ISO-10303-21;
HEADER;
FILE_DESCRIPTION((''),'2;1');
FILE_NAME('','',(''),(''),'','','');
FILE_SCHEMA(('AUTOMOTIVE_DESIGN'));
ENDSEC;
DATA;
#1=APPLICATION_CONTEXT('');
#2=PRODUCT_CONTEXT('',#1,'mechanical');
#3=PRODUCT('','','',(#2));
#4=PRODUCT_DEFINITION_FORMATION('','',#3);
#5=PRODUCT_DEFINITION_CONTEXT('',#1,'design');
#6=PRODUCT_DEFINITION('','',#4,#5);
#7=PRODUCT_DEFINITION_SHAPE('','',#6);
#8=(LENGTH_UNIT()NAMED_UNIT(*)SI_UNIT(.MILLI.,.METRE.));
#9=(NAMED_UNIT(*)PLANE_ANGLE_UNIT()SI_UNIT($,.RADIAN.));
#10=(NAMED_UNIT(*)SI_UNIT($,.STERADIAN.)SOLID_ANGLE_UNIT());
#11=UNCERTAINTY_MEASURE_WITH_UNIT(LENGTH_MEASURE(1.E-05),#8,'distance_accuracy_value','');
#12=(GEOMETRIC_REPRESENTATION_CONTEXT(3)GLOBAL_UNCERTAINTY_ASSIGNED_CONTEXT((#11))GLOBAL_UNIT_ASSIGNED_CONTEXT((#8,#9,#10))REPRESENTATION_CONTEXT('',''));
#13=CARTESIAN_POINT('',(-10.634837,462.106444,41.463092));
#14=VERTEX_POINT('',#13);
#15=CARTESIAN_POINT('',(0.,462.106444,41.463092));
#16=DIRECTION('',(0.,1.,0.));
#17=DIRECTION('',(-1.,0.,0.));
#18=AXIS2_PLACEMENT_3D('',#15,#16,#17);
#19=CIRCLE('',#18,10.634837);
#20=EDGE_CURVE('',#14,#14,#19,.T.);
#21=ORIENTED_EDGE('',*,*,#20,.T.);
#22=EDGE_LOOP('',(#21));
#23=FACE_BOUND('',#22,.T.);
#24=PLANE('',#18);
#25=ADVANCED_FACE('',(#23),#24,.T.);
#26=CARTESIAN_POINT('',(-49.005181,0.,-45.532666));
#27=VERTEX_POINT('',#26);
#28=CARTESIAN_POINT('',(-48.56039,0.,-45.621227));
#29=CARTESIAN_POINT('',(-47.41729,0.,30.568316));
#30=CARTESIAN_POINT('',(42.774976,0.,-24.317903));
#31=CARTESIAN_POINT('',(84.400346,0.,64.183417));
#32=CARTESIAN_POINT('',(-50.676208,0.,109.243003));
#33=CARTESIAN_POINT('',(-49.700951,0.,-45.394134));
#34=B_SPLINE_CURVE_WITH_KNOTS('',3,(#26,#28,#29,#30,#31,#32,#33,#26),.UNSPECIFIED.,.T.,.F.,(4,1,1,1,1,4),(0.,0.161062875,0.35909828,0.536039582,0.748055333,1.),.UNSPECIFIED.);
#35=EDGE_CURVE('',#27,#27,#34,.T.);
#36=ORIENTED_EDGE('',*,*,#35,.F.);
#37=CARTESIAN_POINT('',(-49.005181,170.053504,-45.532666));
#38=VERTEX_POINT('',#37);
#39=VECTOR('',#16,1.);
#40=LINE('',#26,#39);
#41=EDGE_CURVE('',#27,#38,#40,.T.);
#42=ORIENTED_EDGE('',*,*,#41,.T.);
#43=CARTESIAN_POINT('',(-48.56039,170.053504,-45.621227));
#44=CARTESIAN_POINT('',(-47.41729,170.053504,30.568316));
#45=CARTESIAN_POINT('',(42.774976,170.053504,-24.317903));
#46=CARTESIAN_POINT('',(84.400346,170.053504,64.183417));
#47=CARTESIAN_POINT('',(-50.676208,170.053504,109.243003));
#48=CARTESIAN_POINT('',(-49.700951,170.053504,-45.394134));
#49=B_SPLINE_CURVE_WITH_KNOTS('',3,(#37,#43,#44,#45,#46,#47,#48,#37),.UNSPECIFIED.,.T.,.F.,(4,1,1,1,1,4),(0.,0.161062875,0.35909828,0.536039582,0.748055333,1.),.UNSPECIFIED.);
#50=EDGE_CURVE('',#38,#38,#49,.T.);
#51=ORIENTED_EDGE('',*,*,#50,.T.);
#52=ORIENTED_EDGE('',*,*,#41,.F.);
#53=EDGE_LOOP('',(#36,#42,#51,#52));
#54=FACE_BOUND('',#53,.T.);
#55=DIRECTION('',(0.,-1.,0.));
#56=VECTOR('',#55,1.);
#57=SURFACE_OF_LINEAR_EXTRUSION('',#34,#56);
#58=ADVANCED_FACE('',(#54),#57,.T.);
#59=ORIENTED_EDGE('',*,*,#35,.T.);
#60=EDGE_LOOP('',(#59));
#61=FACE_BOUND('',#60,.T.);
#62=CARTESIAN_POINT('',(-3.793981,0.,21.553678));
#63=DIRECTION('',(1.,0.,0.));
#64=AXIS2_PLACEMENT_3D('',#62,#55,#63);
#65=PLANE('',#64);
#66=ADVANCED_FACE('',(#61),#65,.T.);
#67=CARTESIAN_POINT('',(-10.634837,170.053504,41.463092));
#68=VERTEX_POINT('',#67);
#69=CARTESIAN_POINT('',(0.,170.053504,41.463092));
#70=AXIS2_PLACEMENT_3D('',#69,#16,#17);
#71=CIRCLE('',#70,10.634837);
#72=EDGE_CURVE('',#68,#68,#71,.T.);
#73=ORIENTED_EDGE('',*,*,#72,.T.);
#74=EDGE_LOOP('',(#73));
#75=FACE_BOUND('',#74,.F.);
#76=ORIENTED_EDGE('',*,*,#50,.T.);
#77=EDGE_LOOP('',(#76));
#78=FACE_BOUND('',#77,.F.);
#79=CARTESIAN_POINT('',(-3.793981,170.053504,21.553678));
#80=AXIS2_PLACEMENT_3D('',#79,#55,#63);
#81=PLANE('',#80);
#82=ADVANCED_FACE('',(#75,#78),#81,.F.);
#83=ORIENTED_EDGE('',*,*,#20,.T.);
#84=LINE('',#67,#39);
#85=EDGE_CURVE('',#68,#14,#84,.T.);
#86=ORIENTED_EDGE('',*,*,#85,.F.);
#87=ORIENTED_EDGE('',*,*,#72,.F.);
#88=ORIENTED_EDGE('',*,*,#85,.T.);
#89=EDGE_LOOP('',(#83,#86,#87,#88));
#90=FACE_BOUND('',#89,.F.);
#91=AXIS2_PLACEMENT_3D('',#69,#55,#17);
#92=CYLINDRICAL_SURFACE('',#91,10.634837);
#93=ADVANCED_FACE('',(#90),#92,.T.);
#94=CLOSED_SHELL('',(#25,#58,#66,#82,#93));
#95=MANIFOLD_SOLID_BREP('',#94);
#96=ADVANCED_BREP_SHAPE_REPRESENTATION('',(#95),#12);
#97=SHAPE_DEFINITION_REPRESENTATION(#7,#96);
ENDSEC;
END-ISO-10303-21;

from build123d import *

# Parameters (mm, degrees)
F1_DEPTH = 170.0535044074
F2_R     = 10.634836536
F3_DEPTH = 292.0529395342


with BuildPart() as f1:
    # F0 (on Front) → F1 (new body)
    with BuildSketch(Plane.XZ):
        with BuildLine():
            add(Edge.make_bspline(
                [(-49.0051805973, -45.5326661468), (-48.5603895564, -45.6212266539), (-47.4172904766, 30.5683158261), (42.7749757096, -24.3179031305), (84.4003463523, 64.1834174101), (-50.6762083667, 109.2430031558), (-49.7009506863, -45.3941342379), (-49.0051805973, -45.5326661468)],
                knots=[0, 0, 0, 0, 0.1610628745, 0.3590982797, 0.5360395824, 0.7480553334, 1, 1, 1, 1], degree=3))
        make_face()
    extrude(amount=-F1_DEPTH)

    # F2 (on face) → F3 (join)
    with BuildSketch(Plane(origin=(0, 170.0535044074, 0), x_dir=(-1, 0, 0), z_dir=(0, 1, 0))):
        with Locations((0, 41.4630919695)):
            Circle(F2_R)
    extrude(amount=F3_DEPTH)


solid = f1.part
